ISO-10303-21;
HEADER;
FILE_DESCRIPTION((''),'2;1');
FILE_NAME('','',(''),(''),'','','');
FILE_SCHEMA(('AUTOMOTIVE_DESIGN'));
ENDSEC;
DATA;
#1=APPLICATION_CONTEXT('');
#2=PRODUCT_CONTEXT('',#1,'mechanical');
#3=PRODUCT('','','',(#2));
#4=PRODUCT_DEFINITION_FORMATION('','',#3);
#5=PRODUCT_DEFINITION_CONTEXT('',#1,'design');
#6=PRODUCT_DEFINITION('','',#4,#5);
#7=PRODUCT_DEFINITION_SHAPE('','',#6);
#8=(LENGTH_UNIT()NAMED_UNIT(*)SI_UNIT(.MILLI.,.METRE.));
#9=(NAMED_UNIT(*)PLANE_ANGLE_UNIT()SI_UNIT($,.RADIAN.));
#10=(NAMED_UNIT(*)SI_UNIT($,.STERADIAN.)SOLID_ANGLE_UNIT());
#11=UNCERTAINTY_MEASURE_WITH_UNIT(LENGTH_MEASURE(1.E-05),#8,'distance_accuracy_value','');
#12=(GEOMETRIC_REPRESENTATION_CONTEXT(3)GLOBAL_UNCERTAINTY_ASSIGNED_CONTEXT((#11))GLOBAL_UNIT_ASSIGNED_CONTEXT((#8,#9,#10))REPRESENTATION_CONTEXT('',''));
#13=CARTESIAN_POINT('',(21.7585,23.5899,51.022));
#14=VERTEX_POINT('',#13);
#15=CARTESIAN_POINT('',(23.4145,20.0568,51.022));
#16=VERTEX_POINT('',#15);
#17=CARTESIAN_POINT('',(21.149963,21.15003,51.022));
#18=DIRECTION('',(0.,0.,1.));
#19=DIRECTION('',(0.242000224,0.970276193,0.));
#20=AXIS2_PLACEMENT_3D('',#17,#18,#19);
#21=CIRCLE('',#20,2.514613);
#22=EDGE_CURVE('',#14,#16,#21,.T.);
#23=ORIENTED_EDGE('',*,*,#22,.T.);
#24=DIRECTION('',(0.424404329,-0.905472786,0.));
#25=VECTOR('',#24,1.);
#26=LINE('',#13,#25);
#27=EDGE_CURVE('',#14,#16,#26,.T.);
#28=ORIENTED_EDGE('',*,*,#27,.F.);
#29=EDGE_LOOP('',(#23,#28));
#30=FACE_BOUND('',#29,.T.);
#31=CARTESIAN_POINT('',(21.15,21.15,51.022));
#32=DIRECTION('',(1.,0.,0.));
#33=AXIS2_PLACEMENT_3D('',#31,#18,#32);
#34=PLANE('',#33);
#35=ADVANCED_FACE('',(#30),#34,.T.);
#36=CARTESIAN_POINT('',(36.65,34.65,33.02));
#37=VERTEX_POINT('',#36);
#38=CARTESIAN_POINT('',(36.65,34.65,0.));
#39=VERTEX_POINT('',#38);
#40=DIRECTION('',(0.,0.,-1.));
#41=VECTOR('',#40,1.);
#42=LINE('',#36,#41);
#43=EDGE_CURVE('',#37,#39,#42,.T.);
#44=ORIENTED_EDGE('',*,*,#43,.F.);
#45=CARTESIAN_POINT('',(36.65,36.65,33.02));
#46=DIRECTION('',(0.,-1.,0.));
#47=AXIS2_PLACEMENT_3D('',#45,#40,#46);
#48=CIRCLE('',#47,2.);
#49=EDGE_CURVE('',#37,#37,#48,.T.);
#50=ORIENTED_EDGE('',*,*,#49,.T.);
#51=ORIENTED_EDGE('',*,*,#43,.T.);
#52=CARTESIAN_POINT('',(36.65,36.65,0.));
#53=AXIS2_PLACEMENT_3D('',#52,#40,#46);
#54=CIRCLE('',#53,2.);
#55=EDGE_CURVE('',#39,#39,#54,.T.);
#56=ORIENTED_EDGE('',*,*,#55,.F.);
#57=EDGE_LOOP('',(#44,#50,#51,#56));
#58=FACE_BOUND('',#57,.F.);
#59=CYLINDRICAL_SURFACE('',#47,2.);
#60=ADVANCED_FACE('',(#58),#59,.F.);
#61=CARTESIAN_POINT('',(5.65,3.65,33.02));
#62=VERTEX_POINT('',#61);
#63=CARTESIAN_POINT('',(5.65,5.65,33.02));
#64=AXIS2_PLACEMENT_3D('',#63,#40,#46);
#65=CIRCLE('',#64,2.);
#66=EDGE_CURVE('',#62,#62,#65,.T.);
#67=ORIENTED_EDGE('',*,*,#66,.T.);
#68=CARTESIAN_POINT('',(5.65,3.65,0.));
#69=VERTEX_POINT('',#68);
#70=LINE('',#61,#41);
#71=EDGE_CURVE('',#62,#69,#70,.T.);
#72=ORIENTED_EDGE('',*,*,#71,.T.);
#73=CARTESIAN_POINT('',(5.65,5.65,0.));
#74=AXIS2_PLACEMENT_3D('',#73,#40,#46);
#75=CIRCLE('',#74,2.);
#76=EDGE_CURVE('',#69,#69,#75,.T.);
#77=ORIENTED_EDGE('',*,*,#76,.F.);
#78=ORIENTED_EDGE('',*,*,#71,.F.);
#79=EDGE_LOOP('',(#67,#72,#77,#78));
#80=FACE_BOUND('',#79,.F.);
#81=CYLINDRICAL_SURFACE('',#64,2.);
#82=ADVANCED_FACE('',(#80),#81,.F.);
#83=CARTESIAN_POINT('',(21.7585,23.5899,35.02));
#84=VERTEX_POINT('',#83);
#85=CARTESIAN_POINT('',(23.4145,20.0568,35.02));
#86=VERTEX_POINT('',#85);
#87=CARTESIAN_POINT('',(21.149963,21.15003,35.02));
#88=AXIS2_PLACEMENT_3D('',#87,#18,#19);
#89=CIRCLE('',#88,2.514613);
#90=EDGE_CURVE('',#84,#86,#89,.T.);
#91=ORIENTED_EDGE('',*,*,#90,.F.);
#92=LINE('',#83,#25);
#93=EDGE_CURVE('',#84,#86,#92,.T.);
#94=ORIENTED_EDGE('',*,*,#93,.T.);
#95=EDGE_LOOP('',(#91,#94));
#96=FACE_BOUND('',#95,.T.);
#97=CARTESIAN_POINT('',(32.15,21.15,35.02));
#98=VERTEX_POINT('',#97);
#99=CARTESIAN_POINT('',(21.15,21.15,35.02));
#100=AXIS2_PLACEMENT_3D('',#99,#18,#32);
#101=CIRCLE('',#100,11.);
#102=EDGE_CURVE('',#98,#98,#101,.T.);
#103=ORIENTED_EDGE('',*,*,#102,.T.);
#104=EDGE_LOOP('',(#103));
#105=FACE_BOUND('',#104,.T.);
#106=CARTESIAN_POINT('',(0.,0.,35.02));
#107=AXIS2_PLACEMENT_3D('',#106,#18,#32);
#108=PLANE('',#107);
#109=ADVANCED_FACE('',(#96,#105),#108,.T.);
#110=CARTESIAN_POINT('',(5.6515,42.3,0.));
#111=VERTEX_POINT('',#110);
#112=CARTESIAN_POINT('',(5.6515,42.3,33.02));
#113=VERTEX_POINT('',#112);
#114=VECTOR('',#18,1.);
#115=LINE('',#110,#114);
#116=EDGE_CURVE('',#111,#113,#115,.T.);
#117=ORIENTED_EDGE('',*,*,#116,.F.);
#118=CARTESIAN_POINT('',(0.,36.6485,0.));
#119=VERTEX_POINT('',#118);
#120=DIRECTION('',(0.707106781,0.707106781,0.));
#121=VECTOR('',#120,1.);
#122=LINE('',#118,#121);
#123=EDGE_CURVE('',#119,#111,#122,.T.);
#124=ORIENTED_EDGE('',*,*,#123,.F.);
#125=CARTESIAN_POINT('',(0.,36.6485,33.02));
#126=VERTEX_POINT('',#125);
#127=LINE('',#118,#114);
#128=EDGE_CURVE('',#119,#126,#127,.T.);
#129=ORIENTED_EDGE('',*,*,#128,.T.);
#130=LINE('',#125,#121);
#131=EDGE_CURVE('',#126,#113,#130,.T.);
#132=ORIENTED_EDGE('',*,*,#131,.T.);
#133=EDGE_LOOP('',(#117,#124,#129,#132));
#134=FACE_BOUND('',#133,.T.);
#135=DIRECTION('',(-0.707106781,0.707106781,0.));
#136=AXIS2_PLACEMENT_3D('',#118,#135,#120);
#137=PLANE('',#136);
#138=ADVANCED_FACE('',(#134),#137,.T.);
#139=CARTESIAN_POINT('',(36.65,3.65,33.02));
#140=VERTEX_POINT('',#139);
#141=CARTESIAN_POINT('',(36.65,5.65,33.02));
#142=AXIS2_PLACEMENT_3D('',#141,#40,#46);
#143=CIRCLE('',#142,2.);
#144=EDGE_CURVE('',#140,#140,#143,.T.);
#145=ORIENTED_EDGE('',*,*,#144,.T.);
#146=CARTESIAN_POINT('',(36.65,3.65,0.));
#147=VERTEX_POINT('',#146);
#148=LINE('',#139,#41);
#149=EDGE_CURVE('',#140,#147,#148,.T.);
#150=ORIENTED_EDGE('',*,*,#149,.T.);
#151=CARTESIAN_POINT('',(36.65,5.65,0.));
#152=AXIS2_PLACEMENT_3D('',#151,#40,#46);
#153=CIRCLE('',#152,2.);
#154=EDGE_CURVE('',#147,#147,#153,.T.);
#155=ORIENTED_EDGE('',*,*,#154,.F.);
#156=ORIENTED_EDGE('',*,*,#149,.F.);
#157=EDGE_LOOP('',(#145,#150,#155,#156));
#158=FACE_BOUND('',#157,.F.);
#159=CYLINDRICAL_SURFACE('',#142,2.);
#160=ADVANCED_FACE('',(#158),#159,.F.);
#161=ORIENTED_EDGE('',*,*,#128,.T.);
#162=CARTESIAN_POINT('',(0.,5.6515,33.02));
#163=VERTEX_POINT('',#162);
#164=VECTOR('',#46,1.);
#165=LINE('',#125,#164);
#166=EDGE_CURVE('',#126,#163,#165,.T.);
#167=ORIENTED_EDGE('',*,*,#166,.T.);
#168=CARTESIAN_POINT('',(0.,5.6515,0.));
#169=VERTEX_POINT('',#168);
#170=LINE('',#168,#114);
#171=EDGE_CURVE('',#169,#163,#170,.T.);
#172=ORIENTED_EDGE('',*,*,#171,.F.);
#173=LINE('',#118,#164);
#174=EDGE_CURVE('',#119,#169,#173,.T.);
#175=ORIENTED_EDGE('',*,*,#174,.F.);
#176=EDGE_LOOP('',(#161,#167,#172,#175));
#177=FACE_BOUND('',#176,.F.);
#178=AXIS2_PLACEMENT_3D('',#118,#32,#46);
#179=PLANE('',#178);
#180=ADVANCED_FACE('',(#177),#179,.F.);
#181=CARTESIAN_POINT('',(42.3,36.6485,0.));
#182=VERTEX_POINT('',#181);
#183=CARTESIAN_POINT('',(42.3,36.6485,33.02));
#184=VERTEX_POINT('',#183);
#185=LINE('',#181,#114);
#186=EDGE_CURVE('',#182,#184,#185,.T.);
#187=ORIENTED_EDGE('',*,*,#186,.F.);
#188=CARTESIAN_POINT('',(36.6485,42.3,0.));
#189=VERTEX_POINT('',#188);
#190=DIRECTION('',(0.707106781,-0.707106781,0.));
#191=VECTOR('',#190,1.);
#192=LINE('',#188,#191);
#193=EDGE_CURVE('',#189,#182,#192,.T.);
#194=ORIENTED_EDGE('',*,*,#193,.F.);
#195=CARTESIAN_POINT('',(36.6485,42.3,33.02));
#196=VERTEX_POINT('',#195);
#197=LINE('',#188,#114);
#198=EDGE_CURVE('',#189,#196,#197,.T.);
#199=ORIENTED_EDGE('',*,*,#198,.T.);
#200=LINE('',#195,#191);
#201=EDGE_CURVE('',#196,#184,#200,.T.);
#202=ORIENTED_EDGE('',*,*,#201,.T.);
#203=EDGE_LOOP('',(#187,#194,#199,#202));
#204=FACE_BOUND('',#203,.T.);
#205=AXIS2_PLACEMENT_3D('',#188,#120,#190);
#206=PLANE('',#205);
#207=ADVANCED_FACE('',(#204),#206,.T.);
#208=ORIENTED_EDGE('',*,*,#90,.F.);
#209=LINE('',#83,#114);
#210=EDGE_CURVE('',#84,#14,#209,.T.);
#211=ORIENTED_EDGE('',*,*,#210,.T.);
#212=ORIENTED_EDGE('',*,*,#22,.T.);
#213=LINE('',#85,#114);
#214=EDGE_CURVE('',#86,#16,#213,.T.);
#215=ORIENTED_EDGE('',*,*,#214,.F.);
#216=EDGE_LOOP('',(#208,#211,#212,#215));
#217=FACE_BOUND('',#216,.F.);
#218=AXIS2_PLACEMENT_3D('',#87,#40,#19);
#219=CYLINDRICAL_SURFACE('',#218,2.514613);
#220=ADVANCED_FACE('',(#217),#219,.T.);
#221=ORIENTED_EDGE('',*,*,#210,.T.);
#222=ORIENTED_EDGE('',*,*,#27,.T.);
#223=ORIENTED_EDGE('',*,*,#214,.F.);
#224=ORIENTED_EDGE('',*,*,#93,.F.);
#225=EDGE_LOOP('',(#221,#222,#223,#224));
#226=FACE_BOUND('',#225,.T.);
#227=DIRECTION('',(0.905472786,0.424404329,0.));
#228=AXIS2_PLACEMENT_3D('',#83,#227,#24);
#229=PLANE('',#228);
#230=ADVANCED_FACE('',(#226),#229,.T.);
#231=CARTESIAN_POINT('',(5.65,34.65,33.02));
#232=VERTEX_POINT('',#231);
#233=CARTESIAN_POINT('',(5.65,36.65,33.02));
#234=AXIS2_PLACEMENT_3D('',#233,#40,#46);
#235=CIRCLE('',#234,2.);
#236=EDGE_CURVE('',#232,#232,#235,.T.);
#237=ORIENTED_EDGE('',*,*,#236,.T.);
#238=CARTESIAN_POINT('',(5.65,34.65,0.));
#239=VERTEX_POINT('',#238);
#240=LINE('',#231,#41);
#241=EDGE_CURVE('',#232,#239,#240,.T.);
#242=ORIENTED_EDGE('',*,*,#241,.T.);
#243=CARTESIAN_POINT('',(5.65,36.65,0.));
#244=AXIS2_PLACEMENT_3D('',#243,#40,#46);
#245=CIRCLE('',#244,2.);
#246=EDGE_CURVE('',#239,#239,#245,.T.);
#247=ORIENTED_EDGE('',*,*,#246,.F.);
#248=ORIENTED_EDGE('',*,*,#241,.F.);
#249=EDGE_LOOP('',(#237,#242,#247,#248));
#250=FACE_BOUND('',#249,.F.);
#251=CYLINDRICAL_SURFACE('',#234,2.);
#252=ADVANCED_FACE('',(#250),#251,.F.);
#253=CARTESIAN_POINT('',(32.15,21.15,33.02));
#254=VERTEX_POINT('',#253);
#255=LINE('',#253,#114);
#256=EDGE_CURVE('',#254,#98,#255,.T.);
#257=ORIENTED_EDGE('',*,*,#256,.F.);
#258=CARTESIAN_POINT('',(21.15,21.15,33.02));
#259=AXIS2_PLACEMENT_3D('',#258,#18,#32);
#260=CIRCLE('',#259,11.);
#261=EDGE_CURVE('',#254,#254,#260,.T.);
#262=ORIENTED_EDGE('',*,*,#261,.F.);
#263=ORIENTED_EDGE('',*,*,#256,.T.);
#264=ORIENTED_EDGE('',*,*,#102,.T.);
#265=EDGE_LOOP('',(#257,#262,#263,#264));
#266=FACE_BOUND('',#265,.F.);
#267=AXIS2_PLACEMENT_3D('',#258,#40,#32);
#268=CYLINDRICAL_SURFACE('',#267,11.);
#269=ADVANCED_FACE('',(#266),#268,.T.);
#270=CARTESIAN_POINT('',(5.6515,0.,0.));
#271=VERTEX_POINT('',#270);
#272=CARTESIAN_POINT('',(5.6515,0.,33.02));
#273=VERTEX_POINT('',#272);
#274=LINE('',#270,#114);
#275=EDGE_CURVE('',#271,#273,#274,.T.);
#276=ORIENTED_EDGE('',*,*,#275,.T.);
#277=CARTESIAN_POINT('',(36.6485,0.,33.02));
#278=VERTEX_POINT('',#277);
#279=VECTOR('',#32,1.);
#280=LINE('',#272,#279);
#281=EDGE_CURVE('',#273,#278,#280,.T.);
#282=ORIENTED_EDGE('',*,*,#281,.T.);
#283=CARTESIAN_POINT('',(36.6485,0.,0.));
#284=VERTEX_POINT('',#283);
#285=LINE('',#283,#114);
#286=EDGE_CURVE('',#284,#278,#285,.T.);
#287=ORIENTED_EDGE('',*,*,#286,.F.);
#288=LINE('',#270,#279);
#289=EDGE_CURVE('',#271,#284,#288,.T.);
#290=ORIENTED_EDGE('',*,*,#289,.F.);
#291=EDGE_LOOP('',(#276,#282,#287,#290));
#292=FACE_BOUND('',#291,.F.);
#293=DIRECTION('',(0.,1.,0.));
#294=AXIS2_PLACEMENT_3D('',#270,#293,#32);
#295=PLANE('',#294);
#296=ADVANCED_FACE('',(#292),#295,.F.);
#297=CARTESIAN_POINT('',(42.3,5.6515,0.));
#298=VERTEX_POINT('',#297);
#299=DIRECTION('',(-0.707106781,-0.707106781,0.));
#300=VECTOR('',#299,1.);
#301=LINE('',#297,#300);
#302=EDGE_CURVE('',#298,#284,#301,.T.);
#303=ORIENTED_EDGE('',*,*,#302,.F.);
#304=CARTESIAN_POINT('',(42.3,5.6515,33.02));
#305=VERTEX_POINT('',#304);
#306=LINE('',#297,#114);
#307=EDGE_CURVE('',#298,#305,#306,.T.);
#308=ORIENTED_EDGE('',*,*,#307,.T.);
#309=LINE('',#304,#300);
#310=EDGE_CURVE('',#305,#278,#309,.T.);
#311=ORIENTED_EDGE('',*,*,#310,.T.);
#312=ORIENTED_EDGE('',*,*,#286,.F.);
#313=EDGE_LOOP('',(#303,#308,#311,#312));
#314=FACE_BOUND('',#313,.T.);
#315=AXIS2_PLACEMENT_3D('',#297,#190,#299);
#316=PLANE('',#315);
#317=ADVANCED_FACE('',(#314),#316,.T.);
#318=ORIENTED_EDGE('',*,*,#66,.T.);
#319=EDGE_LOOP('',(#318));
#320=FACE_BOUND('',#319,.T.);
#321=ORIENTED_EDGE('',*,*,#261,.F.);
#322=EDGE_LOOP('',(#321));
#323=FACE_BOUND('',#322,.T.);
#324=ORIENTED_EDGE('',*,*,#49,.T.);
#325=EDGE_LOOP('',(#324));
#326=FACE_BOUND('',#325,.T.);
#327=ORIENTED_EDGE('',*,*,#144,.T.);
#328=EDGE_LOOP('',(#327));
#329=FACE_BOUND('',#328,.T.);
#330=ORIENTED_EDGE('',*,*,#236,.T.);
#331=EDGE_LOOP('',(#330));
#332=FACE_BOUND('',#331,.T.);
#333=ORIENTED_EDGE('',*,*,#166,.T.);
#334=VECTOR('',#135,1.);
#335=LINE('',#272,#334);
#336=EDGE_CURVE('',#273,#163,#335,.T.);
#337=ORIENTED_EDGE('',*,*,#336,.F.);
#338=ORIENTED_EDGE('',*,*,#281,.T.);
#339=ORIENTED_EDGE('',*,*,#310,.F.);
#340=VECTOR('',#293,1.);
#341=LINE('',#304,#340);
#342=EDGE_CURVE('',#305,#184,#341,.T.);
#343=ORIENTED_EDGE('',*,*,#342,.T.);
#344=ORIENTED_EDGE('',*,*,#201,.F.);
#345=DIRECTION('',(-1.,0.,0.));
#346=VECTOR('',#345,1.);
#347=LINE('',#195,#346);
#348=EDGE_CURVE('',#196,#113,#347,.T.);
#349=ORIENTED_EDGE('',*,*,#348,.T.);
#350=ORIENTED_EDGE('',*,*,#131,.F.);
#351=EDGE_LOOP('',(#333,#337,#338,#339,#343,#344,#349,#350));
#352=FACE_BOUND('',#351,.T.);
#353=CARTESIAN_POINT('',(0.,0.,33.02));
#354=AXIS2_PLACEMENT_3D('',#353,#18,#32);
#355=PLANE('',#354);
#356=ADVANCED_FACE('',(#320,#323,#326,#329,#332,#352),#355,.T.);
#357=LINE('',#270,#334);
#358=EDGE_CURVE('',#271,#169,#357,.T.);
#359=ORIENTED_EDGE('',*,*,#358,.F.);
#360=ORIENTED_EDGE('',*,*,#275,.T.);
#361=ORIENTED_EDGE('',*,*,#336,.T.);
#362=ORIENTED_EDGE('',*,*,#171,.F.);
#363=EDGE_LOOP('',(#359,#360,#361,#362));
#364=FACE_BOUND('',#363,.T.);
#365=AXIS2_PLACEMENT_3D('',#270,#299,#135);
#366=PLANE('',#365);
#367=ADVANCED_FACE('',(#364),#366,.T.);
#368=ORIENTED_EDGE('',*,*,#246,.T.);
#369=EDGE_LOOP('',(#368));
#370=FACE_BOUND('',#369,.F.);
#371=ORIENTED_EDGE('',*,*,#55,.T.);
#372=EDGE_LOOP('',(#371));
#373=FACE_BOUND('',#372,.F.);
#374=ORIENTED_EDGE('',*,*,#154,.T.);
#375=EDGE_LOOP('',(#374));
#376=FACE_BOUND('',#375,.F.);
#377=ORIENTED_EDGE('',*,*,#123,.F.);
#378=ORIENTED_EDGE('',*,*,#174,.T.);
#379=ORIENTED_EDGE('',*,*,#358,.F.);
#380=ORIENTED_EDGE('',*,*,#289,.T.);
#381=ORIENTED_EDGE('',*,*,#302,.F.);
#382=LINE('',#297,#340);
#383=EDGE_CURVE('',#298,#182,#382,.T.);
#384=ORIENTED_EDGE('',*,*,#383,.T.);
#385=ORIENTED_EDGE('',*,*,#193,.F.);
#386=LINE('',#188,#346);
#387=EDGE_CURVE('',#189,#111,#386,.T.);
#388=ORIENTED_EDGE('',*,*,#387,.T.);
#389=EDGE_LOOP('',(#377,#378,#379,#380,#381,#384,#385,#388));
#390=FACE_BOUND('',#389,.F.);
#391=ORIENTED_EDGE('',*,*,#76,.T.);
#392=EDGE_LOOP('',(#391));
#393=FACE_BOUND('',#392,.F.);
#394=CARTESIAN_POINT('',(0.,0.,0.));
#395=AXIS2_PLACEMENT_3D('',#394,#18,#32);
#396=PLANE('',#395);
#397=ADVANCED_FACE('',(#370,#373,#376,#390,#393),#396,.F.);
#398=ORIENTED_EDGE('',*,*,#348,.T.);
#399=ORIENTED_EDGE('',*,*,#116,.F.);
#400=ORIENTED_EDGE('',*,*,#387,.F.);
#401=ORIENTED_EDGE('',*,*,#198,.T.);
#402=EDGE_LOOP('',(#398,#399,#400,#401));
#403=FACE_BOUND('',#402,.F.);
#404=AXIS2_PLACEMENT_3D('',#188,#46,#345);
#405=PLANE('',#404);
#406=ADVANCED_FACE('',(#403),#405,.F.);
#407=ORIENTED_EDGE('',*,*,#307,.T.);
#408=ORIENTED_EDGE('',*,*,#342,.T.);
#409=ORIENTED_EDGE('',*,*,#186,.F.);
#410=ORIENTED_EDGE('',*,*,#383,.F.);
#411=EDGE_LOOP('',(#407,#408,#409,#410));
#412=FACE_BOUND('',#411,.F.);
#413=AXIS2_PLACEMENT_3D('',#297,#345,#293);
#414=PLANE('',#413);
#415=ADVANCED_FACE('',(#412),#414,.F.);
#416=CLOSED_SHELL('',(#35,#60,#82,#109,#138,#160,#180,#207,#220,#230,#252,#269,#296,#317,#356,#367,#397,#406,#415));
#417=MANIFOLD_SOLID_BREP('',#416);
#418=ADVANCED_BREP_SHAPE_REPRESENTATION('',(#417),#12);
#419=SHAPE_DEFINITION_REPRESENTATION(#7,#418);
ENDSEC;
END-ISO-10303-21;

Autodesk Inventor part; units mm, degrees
ref_plane "YZ Plane" through (0, 0, 0) normal (1, 0, 0) x (0, 1, 0)
ref_plane "XZ Plane" through (0, 0, 0) normal (0, 1, 0) x (-1, 0, 0)
ref_plane "XY Plane" through (0, 0, 0) normal (0, 0, 1) x (1, 0, 0)
sketch "Sketch1" plane through (0, 0, 0) normal (0, 0, 1) x (1, 0, 0)
  line L0 (5.6515, 0) -> (36.6485, 0)
  line L1 (42.3, 5.6515) -> (42.3, 36.6485)
  line L2 (36.6485, 42.3) -> (5.6515, 42.3)
  line L3 (0, 36.6485) -> (0, 5.6515)
  line L4 (0, 36.6485) -> (5.6515, 42.3)
  line L5 (36.6485, 42.3) -> (42.3, 36.6485)
  line L6 (42.3, 5.6515) -> (36.6485, 0)
  line L7 (5.6515, 0) -> (0, 5.6515)
  line L8 (21.15, 42.3) -> (21.15, 0) construction
  line L9 (0, 21.9578) -> (42.3, 21.9578) construction
  point P0 (0, 0)
  point P1 (42.3, 42.3)
  point P2 (42.3, 0)
  point P3 (0, 42.3)
  dimension "d0" = 42.3
  dimension "d1" = 42.3
  dimension "d2" = 5.6515
  dimension "d3" = 5.6515
  dimension "d4" = 5.6515
  dimension "d5" = 5.6515
  dimension "d6" = 5.6515
  dimension "d7" = 5.6515
  dimension "d8" = 5.6515
  dimension "d9" = 5.6515
  dimension "d10" = 30.997
extrude "Extrusion1" add sketch "Sketch1" along normal blind 33.02
sketch "Sketch2" plane through (0, 0, 33.02) normal (0, 0, 1) x (1, 0, 0)
  line L0 (5.6515, 42.3) -> (36.6485, 42.3) projected
  line L1 (0, 5.6515) -> (0, 36.6485) projected
  line L2 (36.6485, 0) -> (5.6515, 0) projected
  line L3 (42.3, 36.6485) -> (42.3, 5.6515) projected
  line L4 (21.15, 42.3) -> (21.15, 0) construction
  line L5 (0, 21.15) -> (42.3, 21.15) construction
  circle A0 centre (21.15, 21.15) radius 11
  point P0 (0, 0)
  dimension "d13" = 22
extrude "Extrusion2" add sketch "Sketch2" along normal blind 2
sketch "Sketch3" plane through (21.15, 21.15, 35.02) normal (0, 0, 1) x (1, 0, 0)
  circle A0 centre (0, 0) radius 11 projected
  arc A1 (0.6085, 2.4399) -> (2.2645, -1.0932) centre (0, 0) ccw
  line L0 (0.6085, 2.4399) -> (2.2645, -1.0932)
  line L1 (1.4365, 0.6733) -> (-2.2769, -1.0672) construction
  point P0 (-21.15, -21.15)
  dimension "d16" = 5.0292
  dimension "d34" = 3.9019
  dimension "d36" = 1.951
  dimension "d37" = 4.1011
extrude "Extrusion3" add sketch "Sketch3" along normal blind 16.002 contours L0 A1
sketch "Sketch4" plane through (0, 0, 33.02) normal (0, 0, 1) x (1, 0, 0)
  line L0 (0, 36.6485) -> (5.6515, 42.3) projected
  line L1 (5.6515, 0) -> (0, 5.6515) projected
  line L2 (42.3, 5.6515) -> (36.6485, 0) projected
  line L3 (36.6485, 42.3) -> (42.3, 36.6485) projected
  line L4 (2.8258, 39.4742) -> (39.4742, 2.8258) construction
  line L5 (39.4742, 39.4742) -> (2.8257, 2.8258) construction
  point P0 (0, 0)
  point P1 (5.65, 36.65)
  point P2 (36.65, 36.65)
  point P3 (5.65, 5.65)
  point P4 (36.65, 5.65)
  dimension "d20" = 31
  dimension "d21" = 31
  dimension "d22" = 31
  dimension "d23" = 31
hole "Hole1" at (5.65, 36.65, 33.02) at (36.65, 36.65, 33.02) at (5.65, 5.65, 33.02) at (36.65, 5.65, 33.02) direction (0, 0, -1) diameter 4 end through all
equation "\"d3\" = d2"
equation "\"d4\" = d2"
equation "\"d5\" = d4"
equation "\"d6\" = d2"
equation "\"d7\" = d6"
equation "\"d8\" = d2"
equation "\"d9\" = d8"
equation "\"d36\" = 0.5 * d34"
equation "\"d21\" = d20"
equation "\"d22\" = d20"
equation "\"d23\" = d20"
properties part number "stepper42BYGH007_RB01" material "Aluminum-6061"
